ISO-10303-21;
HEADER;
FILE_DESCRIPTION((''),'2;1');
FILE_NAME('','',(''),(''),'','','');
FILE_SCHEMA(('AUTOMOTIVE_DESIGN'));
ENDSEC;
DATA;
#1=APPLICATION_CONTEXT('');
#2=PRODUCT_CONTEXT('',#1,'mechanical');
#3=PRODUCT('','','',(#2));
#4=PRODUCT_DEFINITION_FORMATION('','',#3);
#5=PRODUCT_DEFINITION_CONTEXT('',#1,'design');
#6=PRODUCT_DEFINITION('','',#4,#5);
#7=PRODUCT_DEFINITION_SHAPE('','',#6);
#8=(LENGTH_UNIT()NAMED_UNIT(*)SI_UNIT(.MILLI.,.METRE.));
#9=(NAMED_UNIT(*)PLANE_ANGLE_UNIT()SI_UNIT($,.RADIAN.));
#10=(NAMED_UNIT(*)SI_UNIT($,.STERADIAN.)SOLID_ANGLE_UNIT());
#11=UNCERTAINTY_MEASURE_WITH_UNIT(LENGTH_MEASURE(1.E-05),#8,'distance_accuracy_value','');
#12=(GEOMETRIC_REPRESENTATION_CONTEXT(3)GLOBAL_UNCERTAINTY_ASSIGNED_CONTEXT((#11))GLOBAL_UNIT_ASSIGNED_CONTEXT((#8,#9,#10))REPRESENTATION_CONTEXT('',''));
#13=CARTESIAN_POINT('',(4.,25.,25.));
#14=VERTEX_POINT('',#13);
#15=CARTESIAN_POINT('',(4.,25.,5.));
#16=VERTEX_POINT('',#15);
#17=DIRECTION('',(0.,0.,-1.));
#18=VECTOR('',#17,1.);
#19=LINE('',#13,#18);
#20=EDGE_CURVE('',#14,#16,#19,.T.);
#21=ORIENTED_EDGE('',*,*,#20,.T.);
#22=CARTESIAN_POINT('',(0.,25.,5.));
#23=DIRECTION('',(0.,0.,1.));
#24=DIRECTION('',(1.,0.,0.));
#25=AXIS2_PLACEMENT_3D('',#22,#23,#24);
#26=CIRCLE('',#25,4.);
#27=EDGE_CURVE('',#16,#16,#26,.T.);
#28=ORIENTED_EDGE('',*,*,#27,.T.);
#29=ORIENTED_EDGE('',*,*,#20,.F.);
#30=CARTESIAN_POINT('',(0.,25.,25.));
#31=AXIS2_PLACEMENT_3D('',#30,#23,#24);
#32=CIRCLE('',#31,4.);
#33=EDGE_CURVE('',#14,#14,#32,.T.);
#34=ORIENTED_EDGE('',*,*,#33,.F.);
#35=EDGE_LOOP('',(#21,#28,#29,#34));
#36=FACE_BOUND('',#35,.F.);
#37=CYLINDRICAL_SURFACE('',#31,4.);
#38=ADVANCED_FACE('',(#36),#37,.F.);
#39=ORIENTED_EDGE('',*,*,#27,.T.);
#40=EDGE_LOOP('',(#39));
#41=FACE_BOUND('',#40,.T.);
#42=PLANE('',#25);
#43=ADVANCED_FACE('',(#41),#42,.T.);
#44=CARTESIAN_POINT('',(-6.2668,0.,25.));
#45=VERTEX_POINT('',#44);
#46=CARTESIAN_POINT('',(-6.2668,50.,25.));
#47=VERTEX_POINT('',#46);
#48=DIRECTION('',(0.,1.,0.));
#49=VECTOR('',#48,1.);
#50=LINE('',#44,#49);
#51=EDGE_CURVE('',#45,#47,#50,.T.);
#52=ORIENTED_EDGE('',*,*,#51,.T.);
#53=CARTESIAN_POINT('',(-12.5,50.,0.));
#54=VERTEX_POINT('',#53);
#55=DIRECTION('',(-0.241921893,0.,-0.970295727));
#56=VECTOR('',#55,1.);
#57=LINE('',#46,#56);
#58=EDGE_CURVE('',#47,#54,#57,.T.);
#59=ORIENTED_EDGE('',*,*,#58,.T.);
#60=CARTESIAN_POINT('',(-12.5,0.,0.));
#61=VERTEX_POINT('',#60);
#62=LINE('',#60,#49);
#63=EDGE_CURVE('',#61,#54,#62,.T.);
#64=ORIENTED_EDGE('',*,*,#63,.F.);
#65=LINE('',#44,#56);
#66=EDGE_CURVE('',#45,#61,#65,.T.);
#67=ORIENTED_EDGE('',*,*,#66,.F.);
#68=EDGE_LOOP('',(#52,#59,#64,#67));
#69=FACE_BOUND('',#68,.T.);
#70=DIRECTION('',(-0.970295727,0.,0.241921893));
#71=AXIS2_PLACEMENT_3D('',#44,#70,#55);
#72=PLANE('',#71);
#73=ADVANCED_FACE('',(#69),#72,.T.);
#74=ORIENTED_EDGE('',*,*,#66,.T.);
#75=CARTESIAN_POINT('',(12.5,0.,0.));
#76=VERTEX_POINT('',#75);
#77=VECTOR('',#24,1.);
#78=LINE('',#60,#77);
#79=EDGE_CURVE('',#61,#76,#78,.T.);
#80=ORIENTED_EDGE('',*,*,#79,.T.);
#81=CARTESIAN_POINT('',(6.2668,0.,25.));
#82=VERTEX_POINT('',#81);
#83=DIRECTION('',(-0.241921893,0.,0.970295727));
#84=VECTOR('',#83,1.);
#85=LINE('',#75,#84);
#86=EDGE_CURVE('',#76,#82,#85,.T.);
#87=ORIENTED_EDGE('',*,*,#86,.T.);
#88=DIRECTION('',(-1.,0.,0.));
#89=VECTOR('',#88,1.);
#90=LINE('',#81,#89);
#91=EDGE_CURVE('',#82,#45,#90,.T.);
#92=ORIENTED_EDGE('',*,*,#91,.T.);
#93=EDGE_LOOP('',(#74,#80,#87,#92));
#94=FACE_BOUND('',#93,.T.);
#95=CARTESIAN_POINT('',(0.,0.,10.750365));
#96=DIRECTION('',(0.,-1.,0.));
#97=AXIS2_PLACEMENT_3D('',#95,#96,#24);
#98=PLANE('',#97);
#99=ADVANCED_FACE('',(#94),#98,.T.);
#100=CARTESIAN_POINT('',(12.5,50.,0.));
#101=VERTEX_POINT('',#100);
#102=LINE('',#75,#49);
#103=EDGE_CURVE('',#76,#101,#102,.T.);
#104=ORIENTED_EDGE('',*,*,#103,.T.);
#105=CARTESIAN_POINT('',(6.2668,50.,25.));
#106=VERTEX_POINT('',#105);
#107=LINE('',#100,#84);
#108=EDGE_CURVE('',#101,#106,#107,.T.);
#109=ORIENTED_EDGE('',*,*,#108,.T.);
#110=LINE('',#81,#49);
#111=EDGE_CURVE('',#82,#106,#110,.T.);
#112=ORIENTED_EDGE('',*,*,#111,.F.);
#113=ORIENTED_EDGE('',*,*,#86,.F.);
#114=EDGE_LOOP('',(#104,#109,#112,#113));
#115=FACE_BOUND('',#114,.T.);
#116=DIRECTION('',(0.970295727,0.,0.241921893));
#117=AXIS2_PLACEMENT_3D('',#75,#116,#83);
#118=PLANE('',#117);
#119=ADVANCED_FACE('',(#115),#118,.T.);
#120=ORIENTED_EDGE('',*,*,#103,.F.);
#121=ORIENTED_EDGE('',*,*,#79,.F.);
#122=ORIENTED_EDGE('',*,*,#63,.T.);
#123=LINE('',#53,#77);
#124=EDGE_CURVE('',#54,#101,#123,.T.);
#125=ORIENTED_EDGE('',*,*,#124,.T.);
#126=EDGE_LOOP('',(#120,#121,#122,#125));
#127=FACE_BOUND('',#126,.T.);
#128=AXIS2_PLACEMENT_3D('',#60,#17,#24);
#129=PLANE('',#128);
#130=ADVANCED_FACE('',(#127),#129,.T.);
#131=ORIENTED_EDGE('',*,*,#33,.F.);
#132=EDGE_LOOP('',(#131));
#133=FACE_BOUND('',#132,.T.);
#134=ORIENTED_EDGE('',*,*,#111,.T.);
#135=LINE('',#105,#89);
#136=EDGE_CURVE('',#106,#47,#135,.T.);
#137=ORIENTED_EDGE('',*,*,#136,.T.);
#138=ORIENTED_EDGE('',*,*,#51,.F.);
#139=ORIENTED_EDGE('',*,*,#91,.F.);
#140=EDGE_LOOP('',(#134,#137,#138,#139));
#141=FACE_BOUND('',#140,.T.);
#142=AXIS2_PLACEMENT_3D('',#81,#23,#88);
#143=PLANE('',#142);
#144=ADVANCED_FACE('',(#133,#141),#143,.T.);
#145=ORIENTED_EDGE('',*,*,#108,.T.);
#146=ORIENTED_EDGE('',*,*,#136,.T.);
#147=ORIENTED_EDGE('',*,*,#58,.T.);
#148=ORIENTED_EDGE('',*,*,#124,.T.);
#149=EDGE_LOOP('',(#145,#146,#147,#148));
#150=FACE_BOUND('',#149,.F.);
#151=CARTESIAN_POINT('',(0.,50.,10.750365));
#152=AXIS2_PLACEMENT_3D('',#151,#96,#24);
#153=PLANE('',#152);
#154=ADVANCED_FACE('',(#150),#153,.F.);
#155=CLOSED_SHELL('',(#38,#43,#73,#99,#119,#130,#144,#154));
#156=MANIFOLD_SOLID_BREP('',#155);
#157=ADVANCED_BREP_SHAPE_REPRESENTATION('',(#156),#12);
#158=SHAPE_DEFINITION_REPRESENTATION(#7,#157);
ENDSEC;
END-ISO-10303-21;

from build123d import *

# Parameters (mm, degrees)
F1_DEPTH = 50
F2_R     = 4
F3_DEPTH = 20


with BuildPart() as f1:
    # F0 (on Front) → F1 (new body)
    with BuildSketch(Plane.XZ):
        Polygon((-6.2668, 25), (-12.5, 0), (12.5, 0), (6.2668, 25), align=None)
    extrude(amount=-F1_DEPTH)

    # F2 (on face) → F3 (cut)
    with BuildSketch(Plane.XY.offset(25)):
        with Locations((0, 25)):
            Circle(F2_R)
    extrude(amount=-F3_DEPTH, mode=Mode.SUBTRACT)


solid = f1.part
